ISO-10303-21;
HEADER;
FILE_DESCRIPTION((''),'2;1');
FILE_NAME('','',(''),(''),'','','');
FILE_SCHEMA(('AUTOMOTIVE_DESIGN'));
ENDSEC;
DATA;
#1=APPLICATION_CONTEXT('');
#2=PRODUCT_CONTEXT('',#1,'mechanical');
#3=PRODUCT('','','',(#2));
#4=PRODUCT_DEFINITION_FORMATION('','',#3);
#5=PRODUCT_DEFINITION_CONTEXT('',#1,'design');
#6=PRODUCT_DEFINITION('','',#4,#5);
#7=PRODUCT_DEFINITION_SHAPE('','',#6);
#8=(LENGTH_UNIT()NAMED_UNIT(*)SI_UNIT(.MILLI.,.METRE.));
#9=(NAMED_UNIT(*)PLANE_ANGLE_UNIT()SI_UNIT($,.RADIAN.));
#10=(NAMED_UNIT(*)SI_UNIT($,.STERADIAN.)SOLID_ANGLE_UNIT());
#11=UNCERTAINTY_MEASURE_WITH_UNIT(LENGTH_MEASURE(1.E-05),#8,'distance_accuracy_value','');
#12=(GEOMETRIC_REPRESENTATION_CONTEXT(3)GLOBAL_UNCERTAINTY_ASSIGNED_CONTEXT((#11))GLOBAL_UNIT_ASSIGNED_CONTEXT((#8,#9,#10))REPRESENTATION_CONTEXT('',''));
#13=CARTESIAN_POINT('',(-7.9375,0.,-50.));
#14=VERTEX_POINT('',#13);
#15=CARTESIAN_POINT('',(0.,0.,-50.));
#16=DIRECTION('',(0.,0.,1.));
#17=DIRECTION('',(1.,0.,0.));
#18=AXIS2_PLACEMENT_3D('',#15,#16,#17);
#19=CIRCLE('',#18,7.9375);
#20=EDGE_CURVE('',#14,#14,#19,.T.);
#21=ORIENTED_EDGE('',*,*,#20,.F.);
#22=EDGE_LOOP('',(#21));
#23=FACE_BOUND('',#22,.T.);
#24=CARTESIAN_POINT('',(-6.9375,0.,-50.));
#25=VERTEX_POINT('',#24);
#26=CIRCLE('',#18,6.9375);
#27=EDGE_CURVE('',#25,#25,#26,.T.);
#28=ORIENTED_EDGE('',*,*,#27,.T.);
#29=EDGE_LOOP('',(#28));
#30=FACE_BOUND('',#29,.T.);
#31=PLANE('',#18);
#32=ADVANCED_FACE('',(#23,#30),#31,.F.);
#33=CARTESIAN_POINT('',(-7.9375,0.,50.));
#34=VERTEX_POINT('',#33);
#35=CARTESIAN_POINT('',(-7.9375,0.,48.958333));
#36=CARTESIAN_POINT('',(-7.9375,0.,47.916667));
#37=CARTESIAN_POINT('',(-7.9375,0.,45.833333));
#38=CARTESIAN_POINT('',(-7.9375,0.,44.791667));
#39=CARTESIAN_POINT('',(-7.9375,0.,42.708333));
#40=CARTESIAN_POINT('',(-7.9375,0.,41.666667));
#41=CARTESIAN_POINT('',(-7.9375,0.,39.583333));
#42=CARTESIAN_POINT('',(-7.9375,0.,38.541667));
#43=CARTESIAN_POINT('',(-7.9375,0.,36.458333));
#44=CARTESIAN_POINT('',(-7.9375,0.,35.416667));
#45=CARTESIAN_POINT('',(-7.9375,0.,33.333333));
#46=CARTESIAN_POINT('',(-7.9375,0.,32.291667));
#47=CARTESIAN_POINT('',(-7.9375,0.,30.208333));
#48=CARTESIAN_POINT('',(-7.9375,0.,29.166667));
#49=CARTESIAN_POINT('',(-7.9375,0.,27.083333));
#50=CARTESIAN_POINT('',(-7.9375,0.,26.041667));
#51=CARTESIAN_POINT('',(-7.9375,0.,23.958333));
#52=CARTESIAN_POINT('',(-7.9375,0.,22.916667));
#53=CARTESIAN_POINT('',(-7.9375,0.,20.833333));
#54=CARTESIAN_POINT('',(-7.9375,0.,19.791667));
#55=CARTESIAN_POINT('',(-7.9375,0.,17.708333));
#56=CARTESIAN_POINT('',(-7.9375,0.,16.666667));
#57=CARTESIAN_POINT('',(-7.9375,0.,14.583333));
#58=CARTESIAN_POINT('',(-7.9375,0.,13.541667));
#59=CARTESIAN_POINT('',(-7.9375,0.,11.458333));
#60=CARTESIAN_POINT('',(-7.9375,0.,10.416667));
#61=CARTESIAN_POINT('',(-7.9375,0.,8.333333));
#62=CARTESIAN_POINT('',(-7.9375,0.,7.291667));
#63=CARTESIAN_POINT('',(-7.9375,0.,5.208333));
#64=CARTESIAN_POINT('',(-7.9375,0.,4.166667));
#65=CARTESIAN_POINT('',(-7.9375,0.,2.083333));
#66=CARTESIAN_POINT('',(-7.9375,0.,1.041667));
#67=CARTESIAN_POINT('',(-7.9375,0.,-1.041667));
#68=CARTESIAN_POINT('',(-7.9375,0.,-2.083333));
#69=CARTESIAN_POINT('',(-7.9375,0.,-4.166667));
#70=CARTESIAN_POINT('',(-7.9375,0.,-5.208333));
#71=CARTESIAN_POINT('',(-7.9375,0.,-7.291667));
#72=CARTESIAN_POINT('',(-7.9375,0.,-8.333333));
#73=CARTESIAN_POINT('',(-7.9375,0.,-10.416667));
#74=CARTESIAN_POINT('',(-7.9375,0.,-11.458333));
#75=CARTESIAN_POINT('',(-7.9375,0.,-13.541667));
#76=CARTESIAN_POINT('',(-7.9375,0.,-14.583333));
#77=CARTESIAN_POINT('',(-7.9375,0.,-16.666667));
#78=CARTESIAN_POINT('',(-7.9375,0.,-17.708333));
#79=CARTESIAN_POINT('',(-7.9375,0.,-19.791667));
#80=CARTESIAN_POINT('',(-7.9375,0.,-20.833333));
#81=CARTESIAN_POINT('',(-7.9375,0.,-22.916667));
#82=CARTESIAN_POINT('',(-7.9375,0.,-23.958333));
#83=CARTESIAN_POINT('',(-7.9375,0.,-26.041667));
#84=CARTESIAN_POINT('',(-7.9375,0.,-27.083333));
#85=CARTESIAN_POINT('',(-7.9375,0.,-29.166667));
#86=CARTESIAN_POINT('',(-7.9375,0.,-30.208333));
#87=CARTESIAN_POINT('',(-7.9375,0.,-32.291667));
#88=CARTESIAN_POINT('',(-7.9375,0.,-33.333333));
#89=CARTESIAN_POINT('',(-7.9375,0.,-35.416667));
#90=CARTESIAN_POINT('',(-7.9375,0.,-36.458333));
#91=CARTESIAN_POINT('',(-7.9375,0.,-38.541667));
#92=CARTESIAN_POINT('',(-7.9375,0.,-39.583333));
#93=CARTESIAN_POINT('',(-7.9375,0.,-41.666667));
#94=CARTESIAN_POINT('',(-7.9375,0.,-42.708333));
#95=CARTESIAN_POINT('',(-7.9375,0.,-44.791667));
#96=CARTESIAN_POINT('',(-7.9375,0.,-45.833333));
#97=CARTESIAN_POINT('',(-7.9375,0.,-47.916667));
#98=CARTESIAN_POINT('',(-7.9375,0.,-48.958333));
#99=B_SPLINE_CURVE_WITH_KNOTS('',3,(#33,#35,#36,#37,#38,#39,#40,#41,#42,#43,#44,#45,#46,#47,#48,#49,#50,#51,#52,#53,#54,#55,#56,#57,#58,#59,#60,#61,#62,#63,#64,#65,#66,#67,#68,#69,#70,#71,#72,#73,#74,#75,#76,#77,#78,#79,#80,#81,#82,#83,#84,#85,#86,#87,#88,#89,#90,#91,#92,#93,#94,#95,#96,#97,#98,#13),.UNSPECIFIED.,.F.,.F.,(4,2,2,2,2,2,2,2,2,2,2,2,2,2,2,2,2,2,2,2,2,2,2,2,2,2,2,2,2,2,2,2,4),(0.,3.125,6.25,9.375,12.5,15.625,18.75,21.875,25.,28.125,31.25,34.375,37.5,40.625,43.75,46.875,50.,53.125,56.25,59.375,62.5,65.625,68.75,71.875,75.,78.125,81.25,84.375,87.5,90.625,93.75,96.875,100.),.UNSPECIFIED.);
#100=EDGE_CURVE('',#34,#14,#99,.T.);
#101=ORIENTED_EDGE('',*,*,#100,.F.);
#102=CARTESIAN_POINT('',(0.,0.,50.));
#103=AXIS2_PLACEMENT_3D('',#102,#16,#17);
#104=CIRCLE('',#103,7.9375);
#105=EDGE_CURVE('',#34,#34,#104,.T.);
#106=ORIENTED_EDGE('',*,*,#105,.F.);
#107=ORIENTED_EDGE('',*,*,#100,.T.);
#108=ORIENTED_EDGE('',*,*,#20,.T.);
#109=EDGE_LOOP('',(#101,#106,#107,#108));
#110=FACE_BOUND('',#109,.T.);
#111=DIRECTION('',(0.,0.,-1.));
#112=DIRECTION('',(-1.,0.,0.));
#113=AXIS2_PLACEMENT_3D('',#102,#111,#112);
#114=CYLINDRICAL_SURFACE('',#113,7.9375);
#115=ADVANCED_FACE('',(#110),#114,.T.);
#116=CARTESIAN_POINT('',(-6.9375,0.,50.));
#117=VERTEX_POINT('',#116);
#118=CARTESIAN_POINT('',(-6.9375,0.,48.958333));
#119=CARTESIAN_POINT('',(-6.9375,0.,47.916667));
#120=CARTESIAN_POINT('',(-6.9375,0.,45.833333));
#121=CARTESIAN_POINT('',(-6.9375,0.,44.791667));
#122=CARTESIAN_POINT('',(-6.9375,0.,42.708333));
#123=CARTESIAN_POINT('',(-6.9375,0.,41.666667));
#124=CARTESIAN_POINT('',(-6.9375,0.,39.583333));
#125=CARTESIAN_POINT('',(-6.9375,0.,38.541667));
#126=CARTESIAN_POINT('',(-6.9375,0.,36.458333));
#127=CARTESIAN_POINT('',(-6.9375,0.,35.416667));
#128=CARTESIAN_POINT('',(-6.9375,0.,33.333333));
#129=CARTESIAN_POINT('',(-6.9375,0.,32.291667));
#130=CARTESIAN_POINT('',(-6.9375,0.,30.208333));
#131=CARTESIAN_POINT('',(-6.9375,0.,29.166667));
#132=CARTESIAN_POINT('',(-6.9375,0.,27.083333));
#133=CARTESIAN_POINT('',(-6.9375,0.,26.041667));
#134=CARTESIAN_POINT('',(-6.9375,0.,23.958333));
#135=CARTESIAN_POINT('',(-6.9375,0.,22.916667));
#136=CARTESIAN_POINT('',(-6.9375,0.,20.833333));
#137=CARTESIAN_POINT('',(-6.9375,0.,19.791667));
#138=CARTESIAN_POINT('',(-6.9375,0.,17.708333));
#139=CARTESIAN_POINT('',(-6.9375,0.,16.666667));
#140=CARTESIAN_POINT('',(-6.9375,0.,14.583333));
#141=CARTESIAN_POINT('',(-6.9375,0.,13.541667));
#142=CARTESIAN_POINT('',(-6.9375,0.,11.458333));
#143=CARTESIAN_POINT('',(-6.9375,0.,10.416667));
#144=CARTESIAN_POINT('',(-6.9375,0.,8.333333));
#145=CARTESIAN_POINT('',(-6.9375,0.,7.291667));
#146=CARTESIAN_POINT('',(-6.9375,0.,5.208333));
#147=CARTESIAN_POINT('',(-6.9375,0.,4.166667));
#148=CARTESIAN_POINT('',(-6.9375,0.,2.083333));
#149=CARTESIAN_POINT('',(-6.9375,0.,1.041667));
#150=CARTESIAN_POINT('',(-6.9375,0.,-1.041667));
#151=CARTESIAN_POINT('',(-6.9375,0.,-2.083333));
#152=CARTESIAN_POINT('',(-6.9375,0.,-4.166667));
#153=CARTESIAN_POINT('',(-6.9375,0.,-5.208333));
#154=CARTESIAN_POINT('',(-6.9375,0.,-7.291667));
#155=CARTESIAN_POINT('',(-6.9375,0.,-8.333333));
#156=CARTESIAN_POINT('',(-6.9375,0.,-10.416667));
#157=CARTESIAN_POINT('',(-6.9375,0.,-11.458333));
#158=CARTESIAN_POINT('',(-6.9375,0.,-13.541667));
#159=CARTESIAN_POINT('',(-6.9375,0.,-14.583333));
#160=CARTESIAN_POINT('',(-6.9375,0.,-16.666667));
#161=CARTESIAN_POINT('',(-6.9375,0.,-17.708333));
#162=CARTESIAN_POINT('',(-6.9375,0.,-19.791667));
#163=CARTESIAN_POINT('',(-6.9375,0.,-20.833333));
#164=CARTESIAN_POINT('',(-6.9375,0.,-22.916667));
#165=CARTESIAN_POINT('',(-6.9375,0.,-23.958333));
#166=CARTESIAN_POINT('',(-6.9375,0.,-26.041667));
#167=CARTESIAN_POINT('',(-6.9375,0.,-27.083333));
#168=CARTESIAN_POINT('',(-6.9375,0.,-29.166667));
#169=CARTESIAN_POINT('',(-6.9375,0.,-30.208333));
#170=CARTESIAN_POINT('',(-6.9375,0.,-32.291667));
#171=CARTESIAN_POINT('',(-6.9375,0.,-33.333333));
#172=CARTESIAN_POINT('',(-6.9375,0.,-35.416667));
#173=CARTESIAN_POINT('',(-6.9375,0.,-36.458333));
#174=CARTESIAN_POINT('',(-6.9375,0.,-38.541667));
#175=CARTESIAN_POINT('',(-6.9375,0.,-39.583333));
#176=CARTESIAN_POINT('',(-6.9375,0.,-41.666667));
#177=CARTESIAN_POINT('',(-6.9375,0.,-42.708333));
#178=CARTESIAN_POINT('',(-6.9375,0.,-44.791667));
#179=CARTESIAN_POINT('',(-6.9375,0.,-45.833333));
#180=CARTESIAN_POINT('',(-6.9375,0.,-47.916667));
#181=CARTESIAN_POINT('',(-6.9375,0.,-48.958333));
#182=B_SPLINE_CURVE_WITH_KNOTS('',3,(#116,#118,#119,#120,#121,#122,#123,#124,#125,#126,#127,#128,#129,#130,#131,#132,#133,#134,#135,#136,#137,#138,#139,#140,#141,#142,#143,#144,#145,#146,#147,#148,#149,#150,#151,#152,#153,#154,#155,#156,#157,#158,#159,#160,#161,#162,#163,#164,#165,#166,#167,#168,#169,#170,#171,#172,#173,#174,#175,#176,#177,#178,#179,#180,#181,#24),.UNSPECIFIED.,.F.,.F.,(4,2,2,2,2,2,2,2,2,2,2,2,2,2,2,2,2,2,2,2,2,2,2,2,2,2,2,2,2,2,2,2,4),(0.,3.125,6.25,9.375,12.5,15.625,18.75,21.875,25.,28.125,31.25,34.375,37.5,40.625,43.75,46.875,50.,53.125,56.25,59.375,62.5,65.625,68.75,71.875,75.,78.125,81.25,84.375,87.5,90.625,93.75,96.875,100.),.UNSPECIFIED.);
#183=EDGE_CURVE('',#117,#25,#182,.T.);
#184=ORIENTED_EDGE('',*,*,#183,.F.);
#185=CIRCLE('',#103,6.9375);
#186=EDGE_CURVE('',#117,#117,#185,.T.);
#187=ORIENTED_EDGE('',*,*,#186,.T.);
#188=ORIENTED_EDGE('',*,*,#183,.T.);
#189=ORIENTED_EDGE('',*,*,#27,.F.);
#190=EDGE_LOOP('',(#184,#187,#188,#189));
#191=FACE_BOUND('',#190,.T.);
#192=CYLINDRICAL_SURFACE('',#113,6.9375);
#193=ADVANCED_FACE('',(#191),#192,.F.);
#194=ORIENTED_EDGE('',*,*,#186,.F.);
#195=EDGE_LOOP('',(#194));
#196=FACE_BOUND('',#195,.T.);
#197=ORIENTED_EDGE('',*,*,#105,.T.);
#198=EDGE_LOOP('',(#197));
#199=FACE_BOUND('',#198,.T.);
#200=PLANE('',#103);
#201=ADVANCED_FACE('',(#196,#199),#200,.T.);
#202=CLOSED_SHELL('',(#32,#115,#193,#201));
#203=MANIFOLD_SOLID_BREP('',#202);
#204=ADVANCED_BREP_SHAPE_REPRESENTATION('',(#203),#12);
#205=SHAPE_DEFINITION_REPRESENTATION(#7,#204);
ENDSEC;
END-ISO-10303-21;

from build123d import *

# Parameters (mm, degrees)
CROQUIS1_R              = 7.9375
CROQUIS1_R_2            = 6.9375
SALIENTE_EXTRUIR1_DEPTH = 50


with BuildPart() as part:
    # Croquis1 → Saliente-Extruir1 (new, symmetric)
    with BuildSketch(Plane.XY):
        with Locations(Location((0, 0, 0), (0, 0, 180))):
            Circle(CROQUIS1_R)
        with Locations(Location((0, 0, 0), (0, 0, 180))):
            Circle(CROQUIS1_R_2, mode=Mode.SUBTRACT)
    extrude(amount=SALIENTE_EXTRUIR1_DEPTH, both=True)


solid = part.part
